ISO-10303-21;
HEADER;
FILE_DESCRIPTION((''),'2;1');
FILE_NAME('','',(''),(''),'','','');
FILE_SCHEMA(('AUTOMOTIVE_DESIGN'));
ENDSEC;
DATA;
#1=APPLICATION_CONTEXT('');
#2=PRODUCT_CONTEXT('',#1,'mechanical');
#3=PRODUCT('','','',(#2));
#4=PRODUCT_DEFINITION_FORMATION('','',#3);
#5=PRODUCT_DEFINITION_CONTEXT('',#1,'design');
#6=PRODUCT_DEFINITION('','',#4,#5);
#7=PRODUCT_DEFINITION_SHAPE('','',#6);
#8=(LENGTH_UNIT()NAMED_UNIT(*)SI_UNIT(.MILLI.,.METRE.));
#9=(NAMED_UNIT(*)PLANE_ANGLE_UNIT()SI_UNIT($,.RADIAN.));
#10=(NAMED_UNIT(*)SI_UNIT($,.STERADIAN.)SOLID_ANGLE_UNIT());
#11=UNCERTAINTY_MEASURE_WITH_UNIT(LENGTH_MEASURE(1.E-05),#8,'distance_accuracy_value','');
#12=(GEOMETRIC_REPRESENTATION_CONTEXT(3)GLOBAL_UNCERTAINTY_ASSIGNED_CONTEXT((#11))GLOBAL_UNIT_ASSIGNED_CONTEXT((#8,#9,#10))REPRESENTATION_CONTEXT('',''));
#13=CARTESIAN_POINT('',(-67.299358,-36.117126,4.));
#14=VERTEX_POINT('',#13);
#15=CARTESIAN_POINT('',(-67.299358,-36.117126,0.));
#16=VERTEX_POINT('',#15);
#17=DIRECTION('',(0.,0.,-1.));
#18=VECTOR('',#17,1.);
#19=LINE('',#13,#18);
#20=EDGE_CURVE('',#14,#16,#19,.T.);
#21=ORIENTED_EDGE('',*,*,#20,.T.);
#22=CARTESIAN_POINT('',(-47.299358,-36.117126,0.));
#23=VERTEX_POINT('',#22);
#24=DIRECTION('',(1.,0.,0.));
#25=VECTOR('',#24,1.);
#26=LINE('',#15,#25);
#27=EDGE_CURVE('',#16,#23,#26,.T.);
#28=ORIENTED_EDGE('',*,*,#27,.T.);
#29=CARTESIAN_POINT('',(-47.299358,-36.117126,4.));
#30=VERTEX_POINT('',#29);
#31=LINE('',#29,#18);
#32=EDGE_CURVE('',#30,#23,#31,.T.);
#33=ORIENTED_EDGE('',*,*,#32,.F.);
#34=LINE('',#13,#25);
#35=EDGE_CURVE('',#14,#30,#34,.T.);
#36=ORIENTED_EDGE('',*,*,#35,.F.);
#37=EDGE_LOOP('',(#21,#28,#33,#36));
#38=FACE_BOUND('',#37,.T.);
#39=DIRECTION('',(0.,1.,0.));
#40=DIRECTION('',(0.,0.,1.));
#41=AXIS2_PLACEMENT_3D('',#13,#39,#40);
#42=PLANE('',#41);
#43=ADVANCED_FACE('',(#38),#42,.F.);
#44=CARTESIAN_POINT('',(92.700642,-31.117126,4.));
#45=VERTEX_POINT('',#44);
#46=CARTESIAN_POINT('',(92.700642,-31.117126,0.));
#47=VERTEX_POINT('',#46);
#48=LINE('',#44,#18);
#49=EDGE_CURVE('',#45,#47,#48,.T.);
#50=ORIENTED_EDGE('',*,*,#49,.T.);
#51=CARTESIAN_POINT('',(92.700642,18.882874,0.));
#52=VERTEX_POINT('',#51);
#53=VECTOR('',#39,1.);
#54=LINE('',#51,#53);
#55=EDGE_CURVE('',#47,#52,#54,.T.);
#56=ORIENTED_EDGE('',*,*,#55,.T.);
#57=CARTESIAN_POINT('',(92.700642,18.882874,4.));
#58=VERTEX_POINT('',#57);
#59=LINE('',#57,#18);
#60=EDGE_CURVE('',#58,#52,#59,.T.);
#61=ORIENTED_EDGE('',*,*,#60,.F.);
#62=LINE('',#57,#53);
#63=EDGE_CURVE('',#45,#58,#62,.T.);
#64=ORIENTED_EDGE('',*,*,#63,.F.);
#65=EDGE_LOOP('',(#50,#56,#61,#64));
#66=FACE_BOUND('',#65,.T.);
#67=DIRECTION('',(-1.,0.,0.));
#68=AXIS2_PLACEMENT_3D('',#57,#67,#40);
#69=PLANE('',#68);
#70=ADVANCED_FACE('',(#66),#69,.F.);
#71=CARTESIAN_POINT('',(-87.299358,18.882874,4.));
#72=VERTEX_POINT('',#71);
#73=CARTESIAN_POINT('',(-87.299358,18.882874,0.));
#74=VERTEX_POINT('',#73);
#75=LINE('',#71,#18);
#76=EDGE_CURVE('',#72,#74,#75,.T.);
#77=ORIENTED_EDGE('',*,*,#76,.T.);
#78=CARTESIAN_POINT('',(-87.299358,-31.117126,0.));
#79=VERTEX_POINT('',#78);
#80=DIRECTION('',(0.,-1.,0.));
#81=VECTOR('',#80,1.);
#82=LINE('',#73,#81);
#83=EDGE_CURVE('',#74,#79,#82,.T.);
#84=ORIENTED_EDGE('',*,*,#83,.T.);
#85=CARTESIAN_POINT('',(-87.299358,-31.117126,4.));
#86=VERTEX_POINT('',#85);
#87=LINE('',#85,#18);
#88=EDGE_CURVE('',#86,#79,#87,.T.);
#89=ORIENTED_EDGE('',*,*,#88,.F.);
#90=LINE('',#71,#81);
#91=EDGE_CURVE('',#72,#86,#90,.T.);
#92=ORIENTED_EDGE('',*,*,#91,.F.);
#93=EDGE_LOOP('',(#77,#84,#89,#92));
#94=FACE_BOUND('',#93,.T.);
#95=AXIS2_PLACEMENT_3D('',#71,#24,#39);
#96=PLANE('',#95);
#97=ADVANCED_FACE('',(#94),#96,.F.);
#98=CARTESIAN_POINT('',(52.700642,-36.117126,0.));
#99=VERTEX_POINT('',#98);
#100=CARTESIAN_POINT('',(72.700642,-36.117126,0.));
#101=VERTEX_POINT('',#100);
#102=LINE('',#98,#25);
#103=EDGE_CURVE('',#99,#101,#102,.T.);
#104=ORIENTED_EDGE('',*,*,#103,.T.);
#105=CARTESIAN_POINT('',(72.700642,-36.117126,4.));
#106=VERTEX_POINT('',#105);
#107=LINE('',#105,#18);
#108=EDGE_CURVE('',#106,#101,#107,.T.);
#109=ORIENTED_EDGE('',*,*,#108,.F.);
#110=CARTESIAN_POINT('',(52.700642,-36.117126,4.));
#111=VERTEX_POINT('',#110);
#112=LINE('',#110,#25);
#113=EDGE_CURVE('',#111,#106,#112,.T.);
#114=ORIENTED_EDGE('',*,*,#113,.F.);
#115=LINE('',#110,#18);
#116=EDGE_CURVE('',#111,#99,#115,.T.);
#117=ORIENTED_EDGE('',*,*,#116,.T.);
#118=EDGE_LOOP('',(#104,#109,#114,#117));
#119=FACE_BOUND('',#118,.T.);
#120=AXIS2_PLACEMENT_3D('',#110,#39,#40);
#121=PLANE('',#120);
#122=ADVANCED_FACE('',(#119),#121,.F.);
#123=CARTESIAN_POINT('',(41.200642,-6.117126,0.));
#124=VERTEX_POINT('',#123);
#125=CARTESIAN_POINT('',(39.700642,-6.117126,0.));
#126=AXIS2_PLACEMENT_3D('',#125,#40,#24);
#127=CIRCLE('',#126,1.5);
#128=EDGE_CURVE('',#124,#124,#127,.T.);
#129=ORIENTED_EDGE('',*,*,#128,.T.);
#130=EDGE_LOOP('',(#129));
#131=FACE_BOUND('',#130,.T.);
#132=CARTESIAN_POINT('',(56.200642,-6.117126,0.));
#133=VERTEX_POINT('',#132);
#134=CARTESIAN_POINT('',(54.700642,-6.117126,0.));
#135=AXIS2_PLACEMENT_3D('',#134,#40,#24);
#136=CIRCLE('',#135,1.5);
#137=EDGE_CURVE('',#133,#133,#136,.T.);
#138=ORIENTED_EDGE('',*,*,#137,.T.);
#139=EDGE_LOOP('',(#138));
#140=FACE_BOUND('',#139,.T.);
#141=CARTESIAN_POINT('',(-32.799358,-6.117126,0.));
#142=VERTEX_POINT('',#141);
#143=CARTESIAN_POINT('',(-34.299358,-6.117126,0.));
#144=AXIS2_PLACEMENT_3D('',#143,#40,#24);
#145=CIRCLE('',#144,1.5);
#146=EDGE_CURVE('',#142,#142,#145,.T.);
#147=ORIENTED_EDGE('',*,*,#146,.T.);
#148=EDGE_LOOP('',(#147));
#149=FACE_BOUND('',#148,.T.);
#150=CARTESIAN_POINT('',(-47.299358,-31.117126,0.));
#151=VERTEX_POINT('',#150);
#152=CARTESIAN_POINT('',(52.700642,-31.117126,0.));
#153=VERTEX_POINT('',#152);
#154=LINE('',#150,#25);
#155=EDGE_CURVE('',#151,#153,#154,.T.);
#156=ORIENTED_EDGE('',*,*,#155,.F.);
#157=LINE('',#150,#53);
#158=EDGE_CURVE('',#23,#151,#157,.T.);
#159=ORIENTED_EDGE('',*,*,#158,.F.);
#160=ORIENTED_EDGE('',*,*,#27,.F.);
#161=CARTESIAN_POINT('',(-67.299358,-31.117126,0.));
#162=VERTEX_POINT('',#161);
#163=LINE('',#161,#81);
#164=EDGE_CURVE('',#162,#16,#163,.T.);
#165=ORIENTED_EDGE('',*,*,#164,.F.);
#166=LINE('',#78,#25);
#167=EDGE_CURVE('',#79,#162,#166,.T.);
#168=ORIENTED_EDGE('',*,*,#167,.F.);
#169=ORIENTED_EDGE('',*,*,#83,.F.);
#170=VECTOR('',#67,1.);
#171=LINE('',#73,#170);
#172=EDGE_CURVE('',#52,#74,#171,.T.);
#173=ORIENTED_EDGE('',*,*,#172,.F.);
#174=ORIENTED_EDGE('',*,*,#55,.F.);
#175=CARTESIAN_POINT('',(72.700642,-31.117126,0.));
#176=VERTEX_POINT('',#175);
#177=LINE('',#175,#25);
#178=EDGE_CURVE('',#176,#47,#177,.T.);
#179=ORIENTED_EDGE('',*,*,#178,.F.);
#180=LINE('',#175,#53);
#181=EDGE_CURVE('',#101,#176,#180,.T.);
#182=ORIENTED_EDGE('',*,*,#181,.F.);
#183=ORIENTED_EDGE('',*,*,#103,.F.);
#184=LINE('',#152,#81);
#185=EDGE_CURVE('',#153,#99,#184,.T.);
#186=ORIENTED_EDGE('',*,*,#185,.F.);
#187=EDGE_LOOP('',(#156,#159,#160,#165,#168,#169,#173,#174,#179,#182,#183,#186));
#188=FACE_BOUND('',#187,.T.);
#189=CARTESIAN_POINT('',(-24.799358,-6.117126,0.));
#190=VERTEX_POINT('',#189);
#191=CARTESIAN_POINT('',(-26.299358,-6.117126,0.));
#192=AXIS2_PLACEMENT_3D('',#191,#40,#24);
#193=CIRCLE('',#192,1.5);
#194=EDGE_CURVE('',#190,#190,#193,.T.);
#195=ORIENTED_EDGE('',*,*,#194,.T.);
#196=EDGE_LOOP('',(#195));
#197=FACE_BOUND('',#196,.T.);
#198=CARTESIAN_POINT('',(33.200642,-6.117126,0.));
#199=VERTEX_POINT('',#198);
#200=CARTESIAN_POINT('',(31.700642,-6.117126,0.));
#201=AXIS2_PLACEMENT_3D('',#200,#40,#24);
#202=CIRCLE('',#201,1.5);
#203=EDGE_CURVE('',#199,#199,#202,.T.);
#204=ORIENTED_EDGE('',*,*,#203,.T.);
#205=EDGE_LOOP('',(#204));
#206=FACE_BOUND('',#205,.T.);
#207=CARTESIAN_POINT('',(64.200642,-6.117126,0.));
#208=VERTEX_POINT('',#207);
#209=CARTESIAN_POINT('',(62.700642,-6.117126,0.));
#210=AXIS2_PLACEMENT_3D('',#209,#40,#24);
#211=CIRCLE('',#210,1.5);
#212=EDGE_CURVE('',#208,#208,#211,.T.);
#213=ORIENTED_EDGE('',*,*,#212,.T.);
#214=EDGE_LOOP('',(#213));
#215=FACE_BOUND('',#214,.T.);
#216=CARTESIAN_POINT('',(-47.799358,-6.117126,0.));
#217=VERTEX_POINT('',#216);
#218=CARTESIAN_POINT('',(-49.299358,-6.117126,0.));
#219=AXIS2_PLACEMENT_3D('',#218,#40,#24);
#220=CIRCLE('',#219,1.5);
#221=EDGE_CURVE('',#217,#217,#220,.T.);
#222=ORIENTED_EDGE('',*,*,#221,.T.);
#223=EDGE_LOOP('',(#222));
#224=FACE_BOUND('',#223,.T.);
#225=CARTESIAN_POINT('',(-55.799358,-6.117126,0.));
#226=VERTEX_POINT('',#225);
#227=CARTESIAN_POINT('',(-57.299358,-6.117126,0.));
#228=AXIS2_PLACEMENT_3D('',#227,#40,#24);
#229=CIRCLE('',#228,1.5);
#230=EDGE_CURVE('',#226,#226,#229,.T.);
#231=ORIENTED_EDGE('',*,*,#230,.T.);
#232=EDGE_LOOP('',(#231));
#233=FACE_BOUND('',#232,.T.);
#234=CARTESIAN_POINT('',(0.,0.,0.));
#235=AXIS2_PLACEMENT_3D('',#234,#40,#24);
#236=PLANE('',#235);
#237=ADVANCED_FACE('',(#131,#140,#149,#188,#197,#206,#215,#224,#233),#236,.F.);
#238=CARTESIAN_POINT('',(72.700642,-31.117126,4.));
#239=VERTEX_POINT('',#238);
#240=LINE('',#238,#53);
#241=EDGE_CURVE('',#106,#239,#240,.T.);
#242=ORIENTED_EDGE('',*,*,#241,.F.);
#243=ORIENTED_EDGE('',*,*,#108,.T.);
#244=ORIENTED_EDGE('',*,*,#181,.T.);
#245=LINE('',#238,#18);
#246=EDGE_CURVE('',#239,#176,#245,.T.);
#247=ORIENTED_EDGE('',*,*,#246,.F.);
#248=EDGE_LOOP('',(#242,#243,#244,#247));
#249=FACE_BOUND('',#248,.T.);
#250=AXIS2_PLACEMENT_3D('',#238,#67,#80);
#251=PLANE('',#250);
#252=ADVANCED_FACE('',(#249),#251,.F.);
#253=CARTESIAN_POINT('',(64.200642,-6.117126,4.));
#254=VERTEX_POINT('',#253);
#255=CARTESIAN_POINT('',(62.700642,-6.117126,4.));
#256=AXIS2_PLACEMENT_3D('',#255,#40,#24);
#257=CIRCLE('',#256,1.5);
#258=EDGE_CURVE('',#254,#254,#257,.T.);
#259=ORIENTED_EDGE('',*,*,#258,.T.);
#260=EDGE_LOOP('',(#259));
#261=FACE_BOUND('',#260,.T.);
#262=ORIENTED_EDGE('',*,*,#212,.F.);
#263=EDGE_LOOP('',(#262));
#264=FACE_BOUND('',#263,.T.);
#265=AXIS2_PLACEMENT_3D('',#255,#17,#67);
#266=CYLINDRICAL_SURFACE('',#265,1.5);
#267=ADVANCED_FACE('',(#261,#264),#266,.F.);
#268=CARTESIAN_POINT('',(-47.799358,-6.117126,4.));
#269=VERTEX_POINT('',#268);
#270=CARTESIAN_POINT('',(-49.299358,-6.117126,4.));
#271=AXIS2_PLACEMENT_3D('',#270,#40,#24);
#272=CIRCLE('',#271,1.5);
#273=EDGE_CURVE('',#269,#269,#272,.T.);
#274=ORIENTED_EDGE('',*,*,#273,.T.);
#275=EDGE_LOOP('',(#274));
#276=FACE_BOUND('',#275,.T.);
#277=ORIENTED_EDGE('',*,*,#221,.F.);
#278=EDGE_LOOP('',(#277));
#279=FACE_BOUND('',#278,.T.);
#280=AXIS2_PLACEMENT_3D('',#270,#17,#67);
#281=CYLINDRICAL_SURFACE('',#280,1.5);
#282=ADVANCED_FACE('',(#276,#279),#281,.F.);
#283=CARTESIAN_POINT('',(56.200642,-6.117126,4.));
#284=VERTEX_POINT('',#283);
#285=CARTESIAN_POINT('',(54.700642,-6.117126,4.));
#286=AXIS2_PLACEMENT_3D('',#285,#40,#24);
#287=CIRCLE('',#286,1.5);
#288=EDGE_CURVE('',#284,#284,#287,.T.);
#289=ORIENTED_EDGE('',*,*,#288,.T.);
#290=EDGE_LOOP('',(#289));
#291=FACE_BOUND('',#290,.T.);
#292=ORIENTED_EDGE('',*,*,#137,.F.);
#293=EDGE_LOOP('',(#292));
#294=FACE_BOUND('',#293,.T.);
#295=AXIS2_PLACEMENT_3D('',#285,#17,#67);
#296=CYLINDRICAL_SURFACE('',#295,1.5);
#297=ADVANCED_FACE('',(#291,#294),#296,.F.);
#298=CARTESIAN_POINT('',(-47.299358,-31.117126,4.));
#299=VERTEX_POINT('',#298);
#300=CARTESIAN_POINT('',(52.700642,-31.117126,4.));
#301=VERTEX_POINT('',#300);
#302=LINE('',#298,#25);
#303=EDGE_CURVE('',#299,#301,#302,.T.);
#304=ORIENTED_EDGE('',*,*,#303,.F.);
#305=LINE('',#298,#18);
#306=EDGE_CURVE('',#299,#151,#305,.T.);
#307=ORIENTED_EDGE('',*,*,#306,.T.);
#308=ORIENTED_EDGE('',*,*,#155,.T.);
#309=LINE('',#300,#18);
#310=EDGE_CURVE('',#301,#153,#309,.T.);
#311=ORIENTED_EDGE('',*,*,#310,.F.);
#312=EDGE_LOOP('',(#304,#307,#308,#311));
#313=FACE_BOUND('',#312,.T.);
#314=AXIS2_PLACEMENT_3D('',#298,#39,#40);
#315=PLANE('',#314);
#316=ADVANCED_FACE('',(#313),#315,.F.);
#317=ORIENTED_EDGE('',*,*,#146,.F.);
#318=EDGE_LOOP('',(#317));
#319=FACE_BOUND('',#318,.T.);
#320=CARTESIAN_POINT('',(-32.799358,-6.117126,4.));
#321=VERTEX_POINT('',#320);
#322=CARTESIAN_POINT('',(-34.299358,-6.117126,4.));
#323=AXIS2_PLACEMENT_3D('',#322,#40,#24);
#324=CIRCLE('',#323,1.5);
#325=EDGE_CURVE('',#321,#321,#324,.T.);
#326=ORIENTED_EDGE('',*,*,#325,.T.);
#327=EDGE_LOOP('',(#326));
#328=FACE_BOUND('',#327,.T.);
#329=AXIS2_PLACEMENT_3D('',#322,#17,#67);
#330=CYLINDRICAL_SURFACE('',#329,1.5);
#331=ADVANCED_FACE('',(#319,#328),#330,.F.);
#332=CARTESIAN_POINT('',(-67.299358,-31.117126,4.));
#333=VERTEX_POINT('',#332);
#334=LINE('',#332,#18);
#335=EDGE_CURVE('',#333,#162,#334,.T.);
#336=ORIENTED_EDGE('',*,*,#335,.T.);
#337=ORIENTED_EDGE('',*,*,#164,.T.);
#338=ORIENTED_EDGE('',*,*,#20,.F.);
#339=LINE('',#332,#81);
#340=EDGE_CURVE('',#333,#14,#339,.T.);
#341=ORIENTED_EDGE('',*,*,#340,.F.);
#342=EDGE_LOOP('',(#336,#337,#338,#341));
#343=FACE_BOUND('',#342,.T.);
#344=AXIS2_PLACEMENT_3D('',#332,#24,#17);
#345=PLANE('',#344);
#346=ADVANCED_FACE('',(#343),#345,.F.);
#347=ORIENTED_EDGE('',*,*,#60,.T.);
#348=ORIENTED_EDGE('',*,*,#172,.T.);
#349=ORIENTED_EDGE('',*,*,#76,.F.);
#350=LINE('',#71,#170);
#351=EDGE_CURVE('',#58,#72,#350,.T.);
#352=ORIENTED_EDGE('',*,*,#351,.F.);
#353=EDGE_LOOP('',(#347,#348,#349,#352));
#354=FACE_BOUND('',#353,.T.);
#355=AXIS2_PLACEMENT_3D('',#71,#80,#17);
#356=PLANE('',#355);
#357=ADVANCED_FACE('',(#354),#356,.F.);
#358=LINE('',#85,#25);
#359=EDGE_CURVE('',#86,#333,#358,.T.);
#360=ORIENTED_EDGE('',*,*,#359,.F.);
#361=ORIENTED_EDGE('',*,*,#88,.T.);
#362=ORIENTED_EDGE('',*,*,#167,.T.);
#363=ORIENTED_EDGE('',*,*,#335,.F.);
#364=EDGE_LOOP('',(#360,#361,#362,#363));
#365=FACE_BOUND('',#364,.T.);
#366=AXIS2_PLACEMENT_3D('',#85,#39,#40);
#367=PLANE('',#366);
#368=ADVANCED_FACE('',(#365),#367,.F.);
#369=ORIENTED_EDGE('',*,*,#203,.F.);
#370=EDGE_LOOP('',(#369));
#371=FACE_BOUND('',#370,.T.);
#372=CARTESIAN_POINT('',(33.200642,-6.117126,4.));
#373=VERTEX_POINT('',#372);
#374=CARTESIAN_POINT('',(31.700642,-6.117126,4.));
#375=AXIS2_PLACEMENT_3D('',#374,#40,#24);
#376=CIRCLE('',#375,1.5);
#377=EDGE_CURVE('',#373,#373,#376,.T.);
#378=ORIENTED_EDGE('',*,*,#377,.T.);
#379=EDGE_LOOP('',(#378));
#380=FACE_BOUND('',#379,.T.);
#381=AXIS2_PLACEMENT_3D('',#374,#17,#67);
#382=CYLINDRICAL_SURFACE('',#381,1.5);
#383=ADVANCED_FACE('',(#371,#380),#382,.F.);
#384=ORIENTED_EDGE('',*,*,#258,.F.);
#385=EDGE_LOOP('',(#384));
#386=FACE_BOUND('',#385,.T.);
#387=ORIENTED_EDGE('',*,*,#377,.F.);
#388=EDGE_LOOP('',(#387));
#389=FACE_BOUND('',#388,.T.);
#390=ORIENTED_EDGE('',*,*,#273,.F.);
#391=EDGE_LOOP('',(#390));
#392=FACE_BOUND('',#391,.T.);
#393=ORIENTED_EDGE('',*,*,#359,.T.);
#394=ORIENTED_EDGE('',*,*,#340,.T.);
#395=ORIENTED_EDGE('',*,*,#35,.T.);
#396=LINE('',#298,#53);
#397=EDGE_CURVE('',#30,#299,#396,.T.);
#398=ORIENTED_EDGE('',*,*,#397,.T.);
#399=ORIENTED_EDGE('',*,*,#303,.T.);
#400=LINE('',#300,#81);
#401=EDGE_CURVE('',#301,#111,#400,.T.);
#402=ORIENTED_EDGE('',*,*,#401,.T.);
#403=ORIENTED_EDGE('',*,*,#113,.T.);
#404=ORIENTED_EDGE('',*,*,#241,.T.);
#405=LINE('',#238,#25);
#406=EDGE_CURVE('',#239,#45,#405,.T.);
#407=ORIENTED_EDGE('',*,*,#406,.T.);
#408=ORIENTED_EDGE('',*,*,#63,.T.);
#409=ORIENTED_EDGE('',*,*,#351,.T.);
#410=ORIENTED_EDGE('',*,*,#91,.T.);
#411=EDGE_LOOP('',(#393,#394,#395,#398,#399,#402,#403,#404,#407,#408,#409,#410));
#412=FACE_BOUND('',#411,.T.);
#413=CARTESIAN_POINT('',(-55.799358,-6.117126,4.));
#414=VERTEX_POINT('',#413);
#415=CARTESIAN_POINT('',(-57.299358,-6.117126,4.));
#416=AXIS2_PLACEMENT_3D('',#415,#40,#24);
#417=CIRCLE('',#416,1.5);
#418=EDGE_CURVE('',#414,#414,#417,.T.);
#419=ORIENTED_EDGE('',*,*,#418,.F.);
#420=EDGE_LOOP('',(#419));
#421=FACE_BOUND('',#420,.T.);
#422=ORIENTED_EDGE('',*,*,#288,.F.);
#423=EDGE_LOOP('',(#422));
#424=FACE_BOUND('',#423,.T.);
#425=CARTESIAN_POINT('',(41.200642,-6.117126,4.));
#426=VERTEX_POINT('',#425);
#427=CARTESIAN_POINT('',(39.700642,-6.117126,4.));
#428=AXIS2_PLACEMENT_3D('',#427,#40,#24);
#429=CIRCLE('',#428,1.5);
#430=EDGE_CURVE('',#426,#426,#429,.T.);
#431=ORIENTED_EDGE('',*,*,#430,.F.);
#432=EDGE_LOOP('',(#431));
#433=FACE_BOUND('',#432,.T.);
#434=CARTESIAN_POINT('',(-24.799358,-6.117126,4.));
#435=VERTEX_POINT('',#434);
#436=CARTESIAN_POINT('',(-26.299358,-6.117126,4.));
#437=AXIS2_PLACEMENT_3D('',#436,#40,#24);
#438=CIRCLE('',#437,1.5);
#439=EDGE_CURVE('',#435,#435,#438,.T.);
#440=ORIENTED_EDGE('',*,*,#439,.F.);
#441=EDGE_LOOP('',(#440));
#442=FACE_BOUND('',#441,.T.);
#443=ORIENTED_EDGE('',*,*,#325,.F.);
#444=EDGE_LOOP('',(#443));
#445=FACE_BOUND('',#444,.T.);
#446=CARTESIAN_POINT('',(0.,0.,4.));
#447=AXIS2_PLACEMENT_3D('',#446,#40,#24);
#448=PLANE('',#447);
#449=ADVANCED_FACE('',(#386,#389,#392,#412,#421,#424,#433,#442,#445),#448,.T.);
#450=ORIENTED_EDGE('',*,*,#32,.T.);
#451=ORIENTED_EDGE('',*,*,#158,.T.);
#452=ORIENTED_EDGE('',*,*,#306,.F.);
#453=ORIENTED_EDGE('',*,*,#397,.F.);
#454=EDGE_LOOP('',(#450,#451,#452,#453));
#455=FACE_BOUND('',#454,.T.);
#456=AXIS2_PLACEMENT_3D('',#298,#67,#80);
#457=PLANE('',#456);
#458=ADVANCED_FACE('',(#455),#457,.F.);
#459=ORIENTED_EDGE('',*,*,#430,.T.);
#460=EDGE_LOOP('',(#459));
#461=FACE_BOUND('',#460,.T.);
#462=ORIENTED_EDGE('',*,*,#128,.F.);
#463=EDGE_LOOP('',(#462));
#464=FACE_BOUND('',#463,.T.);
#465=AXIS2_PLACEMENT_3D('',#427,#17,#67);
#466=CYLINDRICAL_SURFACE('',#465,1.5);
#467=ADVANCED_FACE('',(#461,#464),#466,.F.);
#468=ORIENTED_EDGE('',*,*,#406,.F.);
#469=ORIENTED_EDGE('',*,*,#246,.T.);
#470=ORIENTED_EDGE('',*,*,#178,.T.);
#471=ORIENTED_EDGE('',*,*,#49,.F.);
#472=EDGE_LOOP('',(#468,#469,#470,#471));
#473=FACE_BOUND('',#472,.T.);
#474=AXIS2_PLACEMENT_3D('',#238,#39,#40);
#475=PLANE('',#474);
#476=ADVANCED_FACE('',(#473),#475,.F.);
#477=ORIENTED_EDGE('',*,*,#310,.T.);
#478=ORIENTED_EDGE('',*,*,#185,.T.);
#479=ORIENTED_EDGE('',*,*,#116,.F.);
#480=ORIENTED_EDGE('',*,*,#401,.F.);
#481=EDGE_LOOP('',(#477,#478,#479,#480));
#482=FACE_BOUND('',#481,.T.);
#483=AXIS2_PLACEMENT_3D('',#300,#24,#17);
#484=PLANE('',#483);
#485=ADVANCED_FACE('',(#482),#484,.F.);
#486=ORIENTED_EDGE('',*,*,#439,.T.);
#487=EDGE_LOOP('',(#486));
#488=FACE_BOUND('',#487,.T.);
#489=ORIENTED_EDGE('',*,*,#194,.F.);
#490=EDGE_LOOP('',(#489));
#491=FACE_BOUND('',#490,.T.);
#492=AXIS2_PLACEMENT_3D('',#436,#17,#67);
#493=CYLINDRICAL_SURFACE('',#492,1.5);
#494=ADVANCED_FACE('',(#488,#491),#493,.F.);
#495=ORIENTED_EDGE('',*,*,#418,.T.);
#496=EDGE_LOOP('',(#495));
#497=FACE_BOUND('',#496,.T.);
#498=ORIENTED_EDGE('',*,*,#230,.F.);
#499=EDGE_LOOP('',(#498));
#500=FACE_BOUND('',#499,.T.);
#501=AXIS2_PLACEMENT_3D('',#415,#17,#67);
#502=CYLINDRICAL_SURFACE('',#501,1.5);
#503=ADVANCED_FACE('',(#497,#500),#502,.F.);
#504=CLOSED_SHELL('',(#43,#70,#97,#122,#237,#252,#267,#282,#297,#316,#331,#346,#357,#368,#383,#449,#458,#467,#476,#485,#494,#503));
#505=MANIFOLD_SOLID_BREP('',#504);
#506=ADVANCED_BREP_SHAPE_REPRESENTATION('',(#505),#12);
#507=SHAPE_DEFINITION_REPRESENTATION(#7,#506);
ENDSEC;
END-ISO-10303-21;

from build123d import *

# Parameters (mm, degrees)
SKETCH1_R           = 1.5
BOSS_EXTRUDE1_DEPTH = 4


with BuildPart() as part:
    # Sketch1 → Boss-Extrude1 (new body)
    with BuildSketch(Plane.XY):
        Polygon((-47.299357945, -31.117125984), (52.700642055, -31.117125984), (52.700642055, -36.117125984), (72.700642055, -36.117125984), (72.700642055, -31.117125984), (92.700642055, -31.117125984), (92.700642055, 18.882874016), (-87.299357945, 18.882874016), (-87.299357945, -31.117125984), (-67.299357945, -31.117125984), (-67.299357945, -36.117125984), (-47.299357945, -36.117125984), align=None)
        with Locations((-57.299357945, -6.117125984)):
            Circle(SKETCH1_R, mode=Mode.SUBTRACT)
        with Locations((62.700642055, -6.117125984)):
            Circle(SKETCH1_R, mode=Mode.SUBTRACT)
        with Locations((-49.299357945, -6.117125984)):
            Circle(SKETCH1_R, mode=Mode.SUBTRACT)
        with Locations((54.700642055, -6.117125984)):
            Circle(SKETCH1_R, mode=Mode.SUBTRACT)
        with Locations((-34.299357945, -6.117125984)):
            Circle(SKETCH1_R, mode=Mode.SUBTRACT)
        with Locations((-26.299357945, -6.117125984)):
            Circle(SKETCH1_R, mode=Mode.SUBTRACT)
        with Locations((39.700642055, -6.117125984)):
            Circle(SKETCH1_R, mode=Mode.SUBTRACT)
        with Locations((31.700642055, -6.117125984)):
            Circle(SKETCH1_R, mode=Mode.SUBTRACT)
    extrude(amount=BOSS_EXTRUDE1_DEPTH)


solid = part.part
